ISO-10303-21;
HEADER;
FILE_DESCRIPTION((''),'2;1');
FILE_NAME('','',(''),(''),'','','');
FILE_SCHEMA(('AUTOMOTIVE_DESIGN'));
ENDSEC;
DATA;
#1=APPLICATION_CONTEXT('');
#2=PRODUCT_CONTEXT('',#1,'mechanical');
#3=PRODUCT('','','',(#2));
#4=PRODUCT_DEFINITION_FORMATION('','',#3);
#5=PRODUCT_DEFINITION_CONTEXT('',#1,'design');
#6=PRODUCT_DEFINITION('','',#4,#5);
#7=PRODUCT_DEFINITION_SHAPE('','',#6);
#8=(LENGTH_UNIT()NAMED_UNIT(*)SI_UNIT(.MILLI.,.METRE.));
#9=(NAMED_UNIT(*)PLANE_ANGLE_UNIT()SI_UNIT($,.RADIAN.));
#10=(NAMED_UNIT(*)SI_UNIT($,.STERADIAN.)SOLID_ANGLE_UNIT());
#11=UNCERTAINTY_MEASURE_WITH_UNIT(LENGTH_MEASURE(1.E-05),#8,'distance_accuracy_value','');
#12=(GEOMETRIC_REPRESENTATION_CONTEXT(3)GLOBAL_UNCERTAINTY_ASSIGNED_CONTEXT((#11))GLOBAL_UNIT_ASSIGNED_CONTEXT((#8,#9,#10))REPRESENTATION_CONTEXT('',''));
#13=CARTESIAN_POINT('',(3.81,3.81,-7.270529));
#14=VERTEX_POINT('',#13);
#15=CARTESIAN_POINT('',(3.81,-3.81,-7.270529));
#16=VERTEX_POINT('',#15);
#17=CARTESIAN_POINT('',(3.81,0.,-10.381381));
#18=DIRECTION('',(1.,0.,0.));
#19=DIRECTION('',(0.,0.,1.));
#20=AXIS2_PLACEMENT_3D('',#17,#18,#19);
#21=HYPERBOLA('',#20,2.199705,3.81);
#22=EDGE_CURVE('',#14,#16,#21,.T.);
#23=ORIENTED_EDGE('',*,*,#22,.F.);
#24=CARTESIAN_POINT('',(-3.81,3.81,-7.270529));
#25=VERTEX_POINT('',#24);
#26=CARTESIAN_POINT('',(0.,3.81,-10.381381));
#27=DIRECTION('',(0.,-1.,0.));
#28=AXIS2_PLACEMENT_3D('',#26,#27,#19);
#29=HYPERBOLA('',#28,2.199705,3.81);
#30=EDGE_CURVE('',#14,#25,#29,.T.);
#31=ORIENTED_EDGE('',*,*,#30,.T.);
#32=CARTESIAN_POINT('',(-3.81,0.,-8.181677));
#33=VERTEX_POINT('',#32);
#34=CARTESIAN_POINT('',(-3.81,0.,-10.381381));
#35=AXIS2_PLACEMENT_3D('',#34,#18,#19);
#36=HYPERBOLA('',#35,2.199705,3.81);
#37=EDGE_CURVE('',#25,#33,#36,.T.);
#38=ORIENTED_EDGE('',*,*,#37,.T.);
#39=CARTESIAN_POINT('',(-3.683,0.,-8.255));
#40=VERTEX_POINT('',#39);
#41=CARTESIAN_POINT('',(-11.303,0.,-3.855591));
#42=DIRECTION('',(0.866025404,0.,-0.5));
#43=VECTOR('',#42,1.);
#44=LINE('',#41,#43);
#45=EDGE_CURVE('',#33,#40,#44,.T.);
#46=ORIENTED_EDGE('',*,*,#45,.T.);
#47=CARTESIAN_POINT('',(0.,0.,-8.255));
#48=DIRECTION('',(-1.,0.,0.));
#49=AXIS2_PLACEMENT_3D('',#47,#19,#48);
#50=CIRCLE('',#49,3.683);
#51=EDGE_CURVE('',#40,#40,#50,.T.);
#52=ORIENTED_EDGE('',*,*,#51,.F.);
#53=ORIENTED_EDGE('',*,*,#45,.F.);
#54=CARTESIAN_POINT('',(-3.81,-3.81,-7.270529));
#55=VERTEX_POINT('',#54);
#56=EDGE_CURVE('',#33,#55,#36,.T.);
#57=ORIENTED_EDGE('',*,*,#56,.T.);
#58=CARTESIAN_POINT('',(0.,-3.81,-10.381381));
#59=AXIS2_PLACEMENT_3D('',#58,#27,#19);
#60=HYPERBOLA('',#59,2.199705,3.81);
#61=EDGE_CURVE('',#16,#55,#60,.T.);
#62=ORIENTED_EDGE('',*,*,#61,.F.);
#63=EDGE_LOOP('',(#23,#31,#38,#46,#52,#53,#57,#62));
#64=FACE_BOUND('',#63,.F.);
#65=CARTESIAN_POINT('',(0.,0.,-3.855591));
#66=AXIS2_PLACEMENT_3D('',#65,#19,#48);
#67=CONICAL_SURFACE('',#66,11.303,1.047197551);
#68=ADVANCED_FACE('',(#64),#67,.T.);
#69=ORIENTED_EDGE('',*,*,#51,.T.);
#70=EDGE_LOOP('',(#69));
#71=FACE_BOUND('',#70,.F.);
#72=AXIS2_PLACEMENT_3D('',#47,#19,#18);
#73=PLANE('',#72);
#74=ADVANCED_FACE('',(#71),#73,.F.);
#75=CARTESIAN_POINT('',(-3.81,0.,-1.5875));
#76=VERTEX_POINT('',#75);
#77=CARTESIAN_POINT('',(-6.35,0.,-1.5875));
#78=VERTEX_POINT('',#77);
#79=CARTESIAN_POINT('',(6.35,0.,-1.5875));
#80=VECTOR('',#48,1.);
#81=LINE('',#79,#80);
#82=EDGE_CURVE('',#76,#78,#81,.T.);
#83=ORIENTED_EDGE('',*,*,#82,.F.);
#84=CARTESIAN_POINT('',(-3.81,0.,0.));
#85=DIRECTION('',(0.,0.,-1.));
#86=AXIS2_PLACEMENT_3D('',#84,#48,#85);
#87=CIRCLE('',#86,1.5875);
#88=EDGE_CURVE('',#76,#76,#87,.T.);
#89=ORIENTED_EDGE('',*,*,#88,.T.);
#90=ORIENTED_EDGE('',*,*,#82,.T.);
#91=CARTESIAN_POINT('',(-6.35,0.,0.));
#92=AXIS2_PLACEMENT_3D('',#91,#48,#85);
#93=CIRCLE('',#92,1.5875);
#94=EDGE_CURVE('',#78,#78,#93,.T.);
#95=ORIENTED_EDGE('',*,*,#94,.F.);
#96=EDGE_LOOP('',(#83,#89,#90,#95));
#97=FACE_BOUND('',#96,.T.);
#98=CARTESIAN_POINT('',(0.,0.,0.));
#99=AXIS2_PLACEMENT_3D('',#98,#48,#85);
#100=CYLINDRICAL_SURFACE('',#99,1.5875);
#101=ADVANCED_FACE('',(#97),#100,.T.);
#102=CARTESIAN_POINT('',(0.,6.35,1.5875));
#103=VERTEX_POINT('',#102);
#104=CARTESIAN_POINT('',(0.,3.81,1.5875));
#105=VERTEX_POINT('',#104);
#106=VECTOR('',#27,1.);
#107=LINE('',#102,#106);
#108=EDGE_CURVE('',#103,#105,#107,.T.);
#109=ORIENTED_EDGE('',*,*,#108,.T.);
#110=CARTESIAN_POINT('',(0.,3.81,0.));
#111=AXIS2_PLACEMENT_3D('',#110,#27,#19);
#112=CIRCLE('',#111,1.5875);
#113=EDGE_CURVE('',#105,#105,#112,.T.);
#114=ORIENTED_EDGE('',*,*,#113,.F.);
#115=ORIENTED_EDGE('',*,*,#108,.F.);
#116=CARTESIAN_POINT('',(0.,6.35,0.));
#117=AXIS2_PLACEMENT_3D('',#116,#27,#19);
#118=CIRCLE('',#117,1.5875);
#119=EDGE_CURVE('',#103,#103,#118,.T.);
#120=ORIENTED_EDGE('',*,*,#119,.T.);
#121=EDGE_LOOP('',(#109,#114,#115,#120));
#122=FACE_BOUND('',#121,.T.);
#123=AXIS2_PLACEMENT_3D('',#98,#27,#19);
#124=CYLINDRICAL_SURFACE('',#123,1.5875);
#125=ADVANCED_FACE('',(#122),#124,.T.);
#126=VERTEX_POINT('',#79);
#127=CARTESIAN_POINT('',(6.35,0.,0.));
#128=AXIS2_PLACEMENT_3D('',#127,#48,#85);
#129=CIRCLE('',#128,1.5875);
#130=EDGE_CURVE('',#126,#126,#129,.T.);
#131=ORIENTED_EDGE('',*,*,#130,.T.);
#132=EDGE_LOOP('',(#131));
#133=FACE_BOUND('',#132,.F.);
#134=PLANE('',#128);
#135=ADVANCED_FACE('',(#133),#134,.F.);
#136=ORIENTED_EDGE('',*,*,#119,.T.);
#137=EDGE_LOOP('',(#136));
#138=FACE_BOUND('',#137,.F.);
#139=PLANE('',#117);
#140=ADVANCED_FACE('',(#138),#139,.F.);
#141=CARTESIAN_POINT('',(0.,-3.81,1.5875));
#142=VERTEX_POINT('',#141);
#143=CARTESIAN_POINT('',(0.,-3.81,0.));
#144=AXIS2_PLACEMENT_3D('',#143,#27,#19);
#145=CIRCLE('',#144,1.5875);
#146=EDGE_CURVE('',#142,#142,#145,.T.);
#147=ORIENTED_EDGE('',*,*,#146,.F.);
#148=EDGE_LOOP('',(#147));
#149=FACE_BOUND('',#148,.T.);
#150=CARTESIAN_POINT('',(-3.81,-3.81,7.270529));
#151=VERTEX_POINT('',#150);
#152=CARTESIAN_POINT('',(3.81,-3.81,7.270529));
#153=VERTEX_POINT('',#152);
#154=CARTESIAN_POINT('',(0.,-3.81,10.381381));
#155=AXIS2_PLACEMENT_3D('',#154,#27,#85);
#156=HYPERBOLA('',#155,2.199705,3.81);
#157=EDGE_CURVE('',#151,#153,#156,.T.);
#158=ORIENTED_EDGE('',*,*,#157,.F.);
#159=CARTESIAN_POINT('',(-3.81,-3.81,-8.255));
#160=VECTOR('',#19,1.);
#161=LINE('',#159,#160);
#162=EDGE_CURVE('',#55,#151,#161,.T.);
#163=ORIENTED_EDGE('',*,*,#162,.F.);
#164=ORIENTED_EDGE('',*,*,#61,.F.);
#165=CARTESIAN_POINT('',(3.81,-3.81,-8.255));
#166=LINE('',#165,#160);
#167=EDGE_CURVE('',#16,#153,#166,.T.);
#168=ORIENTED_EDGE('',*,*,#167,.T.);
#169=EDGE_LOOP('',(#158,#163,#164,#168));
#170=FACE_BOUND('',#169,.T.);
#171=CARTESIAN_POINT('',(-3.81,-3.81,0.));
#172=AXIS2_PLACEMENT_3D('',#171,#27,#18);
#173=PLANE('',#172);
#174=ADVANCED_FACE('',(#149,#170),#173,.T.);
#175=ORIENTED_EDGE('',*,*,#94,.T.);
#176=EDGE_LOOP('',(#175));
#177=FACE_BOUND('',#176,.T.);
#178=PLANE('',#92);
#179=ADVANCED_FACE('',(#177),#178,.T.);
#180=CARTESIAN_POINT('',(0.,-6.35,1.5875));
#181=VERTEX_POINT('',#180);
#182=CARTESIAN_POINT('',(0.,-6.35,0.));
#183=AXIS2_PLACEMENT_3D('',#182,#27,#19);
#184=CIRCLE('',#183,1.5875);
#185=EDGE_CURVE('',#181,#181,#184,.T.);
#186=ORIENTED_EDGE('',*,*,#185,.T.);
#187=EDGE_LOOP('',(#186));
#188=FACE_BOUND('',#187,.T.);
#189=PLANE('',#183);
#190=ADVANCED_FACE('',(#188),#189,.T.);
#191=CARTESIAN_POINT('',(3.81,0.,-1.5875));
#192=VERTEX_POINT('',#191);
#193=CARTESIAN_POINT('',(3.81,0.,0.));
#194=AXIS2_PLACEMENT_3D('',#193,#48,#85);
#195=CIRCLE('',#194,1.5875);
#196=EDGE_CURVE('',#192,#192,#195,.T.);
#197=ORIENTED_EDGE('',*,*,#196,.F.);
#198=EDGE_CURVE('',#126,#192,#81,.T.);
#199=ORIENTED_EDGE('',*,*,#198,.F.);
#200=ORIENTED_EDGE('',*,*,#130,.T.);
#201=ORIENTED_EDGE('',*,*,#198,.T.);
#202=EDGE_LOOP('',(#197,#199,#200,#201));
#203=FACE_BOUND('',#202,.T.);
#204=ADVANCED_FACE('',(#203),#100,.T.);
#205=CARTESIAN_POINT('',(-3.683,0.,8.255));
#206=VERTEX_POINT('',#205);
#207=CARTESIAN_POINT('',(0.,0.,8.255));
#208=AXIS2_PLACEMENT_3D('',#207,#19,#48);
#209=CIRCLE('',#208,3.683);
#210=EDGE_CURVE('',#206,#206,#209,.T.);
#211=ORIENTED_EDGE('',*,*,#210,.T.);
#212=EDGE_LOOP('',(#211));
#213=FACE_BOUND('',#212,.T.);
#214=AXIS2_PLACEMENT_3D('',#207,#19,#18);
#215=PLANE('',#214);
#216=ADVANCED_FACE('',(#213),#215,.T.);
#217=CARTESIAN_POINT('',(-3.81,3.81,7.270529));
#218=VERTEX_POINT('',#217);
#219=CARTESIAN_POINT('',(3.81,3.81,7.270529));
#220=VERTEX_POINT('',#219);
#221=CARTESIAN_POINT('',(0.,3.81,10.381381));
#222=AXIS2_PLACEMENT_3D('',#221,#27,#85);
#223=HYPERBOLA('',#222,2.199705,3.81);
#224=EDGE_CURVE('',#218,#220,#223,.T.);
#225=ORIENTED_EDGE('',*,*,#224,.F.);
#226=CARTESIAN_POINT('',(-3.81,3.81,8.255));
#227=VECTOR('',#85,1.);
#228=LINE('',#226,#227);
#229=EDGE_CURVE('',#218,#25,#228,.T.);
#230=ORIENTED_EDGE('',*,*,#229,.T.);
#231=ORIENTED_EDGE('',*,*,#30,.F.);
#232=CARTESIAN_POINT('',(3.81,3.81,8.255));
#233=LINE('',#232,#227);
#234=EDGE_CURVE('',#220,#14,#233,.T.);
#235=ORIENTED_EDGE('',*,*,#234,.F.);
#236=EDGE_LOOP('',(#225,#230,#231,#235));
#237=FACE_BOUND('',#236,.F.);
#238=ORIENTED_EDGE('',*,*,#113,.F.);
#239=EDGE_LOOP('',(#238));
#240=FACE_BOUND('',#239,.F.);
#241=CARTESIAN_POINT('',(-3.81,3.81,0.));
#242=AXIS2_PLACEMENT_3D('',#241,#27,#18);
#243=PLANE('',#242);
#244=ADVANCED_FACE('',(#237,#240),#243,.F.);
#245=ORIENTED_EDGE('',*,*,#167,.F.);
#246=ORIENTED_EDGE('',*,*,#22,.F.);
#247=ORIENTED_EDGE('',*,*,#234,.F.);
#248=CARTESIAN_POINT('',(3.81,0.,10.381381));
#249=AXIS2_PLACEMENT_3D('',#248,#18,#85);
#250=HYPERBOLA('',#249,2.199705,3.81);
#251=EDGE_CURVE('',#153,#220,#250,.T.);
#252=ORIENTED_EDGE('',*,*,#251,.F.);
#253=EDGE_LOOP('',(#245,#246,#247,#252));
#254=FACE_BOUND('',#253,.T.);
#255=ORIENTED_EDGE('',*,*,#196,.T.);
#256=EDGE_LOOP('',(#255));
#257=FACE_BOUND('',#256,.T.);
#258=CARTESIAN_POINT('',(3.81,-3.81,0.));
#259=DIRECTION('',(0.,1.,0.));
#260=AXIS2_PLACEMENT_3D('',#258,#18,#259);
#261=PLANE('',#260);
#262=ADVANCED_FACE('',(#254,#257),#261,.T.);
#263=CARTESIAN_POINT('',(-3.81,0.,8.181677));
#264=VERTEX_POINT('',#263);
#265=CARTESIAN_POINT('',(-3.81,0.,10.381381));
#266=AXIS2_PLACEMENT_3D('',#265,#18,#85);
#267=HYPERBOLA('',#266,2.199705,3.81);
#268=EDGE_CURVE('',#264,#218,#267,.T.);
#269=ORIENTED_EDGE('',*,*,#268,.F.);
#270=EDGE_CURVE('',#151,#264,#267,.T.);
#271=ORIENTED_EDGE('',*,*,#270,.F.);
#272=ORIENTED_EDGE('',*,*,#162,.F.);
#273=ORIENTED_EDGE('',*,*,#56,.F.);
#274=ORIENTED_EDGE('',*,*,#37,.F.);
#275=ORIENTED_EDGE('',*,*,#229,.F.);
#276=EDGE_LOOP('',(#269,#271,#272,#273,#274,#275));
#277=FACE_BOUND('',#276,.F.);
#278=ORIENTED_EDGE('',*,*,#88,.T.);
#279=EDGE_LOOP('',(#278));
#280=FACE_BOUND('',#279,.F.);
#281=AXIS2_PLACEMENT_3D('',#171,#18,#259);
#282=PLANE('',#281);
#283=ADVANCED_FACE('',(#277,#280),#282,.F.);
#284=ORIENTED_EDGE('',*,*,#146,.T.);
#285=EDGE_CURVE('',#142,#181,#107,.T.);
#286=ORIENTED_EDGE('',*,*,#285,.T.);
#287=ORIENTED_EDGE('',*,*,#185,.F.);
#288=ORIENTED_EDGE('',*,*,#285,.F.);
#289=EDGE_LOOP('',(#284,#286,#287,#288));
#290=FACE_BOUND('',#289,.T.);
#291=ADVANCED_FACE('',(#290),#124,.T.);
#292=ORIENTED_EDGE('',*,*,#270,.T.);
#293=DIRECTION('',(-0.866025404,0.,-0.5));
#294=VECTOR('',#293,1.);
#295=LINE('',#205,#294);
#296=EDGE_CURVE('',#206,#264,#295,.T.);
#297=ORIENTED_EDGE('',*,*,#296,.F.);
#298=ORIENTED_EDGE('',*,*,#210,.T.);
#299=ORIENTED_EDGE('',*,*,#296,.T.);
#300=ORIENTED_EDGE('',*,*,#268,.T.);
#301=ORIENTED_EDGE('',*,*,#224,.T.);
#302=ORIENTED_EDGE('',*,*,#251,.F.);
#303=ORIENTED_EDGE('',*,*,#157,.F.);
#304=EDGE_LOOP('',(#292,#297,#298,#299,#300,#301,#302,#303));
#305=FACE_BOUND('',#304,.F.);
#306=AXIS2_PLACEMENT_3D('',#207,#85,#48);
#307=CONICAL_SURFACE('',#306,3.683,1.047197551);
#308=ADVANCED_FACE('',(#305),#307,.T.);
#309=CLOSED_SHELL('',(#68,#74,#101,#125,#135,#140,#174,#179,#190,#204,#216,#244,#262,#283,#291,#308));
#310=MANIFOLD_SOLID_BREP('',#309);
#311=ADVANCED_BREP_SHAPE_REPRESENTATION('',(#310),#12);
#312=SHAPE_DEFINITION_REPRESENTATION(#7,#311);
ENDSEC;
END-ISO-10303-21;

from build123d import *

# Parameters (mm, degrees)
SKETCH1_W           = 7.62
SKETCH1_H           = 7.62
BOSS_EXTRUDE1_DEPTH = 8.255
SKETCH3_R           = 1.5875
BOSS_EXTRUDE2_DEPTH = 6.35
SKETCH4_R           = 1.5875
BOSS_EXTRUDE3_DEPTH = 6.35


with BuildPart() as part:
    # Sketch1 → Boss-Extrude1 (new, symmetric)
    with BuildSketch(Plane.XY):
        Rectangle(SKETCH1_W, SKETCH1_H)
    extrude(amount=BOSS_EXTRUDE1_DEPTH, both=True)

    # Sketch2 → Cut-Revolve2 (revolve, cut)
    with BuildSketch(Plane(origin=(0, 0, 0), x_dir=(-1, 0, 0), z_dir=(0, -1, 0)), mode=Mode.PRIVATE) as cut_revolve2_sk:
        Polygon((-3.683, 8.255), (-12.573, 8.255), (-12.573, -8.255), (-3.683, -8.255), (-11.303, -3.855590949), (-11.303, 3.855590949), align=None)
    revolve(cut_revolve2_sk.sketch.rotate(Axis((0, 0, -8.255), (0, 0, 1)), 180), axis=Axis((0, 0, -8.255), (0, 0, 1)), mode=Mode.SUBTRACT)

    # Sketch3 → Boss-Extrude2 (add, symmetric)
    with BuildSketch(Plane.XZ):
        with Locations(Location((0, 0, 0), (0, 0, 90))):
            Circle(SKETCH3_R)
    extrude(amount=BOSS_EXTRUDE2_DEPTH, both=True)

    # Sketch4 → Boss-Extrude3 (add, symmetric)
    with BuildSketch(Plane.ZY):
        with Locations(Location((0, 0, 0), (0, 0, 180))):
            Circle(SKETCH4_R)
    extrude(amount=BOSS_EXTRUDE3_DEPTH, both=True)


solid = part.part
